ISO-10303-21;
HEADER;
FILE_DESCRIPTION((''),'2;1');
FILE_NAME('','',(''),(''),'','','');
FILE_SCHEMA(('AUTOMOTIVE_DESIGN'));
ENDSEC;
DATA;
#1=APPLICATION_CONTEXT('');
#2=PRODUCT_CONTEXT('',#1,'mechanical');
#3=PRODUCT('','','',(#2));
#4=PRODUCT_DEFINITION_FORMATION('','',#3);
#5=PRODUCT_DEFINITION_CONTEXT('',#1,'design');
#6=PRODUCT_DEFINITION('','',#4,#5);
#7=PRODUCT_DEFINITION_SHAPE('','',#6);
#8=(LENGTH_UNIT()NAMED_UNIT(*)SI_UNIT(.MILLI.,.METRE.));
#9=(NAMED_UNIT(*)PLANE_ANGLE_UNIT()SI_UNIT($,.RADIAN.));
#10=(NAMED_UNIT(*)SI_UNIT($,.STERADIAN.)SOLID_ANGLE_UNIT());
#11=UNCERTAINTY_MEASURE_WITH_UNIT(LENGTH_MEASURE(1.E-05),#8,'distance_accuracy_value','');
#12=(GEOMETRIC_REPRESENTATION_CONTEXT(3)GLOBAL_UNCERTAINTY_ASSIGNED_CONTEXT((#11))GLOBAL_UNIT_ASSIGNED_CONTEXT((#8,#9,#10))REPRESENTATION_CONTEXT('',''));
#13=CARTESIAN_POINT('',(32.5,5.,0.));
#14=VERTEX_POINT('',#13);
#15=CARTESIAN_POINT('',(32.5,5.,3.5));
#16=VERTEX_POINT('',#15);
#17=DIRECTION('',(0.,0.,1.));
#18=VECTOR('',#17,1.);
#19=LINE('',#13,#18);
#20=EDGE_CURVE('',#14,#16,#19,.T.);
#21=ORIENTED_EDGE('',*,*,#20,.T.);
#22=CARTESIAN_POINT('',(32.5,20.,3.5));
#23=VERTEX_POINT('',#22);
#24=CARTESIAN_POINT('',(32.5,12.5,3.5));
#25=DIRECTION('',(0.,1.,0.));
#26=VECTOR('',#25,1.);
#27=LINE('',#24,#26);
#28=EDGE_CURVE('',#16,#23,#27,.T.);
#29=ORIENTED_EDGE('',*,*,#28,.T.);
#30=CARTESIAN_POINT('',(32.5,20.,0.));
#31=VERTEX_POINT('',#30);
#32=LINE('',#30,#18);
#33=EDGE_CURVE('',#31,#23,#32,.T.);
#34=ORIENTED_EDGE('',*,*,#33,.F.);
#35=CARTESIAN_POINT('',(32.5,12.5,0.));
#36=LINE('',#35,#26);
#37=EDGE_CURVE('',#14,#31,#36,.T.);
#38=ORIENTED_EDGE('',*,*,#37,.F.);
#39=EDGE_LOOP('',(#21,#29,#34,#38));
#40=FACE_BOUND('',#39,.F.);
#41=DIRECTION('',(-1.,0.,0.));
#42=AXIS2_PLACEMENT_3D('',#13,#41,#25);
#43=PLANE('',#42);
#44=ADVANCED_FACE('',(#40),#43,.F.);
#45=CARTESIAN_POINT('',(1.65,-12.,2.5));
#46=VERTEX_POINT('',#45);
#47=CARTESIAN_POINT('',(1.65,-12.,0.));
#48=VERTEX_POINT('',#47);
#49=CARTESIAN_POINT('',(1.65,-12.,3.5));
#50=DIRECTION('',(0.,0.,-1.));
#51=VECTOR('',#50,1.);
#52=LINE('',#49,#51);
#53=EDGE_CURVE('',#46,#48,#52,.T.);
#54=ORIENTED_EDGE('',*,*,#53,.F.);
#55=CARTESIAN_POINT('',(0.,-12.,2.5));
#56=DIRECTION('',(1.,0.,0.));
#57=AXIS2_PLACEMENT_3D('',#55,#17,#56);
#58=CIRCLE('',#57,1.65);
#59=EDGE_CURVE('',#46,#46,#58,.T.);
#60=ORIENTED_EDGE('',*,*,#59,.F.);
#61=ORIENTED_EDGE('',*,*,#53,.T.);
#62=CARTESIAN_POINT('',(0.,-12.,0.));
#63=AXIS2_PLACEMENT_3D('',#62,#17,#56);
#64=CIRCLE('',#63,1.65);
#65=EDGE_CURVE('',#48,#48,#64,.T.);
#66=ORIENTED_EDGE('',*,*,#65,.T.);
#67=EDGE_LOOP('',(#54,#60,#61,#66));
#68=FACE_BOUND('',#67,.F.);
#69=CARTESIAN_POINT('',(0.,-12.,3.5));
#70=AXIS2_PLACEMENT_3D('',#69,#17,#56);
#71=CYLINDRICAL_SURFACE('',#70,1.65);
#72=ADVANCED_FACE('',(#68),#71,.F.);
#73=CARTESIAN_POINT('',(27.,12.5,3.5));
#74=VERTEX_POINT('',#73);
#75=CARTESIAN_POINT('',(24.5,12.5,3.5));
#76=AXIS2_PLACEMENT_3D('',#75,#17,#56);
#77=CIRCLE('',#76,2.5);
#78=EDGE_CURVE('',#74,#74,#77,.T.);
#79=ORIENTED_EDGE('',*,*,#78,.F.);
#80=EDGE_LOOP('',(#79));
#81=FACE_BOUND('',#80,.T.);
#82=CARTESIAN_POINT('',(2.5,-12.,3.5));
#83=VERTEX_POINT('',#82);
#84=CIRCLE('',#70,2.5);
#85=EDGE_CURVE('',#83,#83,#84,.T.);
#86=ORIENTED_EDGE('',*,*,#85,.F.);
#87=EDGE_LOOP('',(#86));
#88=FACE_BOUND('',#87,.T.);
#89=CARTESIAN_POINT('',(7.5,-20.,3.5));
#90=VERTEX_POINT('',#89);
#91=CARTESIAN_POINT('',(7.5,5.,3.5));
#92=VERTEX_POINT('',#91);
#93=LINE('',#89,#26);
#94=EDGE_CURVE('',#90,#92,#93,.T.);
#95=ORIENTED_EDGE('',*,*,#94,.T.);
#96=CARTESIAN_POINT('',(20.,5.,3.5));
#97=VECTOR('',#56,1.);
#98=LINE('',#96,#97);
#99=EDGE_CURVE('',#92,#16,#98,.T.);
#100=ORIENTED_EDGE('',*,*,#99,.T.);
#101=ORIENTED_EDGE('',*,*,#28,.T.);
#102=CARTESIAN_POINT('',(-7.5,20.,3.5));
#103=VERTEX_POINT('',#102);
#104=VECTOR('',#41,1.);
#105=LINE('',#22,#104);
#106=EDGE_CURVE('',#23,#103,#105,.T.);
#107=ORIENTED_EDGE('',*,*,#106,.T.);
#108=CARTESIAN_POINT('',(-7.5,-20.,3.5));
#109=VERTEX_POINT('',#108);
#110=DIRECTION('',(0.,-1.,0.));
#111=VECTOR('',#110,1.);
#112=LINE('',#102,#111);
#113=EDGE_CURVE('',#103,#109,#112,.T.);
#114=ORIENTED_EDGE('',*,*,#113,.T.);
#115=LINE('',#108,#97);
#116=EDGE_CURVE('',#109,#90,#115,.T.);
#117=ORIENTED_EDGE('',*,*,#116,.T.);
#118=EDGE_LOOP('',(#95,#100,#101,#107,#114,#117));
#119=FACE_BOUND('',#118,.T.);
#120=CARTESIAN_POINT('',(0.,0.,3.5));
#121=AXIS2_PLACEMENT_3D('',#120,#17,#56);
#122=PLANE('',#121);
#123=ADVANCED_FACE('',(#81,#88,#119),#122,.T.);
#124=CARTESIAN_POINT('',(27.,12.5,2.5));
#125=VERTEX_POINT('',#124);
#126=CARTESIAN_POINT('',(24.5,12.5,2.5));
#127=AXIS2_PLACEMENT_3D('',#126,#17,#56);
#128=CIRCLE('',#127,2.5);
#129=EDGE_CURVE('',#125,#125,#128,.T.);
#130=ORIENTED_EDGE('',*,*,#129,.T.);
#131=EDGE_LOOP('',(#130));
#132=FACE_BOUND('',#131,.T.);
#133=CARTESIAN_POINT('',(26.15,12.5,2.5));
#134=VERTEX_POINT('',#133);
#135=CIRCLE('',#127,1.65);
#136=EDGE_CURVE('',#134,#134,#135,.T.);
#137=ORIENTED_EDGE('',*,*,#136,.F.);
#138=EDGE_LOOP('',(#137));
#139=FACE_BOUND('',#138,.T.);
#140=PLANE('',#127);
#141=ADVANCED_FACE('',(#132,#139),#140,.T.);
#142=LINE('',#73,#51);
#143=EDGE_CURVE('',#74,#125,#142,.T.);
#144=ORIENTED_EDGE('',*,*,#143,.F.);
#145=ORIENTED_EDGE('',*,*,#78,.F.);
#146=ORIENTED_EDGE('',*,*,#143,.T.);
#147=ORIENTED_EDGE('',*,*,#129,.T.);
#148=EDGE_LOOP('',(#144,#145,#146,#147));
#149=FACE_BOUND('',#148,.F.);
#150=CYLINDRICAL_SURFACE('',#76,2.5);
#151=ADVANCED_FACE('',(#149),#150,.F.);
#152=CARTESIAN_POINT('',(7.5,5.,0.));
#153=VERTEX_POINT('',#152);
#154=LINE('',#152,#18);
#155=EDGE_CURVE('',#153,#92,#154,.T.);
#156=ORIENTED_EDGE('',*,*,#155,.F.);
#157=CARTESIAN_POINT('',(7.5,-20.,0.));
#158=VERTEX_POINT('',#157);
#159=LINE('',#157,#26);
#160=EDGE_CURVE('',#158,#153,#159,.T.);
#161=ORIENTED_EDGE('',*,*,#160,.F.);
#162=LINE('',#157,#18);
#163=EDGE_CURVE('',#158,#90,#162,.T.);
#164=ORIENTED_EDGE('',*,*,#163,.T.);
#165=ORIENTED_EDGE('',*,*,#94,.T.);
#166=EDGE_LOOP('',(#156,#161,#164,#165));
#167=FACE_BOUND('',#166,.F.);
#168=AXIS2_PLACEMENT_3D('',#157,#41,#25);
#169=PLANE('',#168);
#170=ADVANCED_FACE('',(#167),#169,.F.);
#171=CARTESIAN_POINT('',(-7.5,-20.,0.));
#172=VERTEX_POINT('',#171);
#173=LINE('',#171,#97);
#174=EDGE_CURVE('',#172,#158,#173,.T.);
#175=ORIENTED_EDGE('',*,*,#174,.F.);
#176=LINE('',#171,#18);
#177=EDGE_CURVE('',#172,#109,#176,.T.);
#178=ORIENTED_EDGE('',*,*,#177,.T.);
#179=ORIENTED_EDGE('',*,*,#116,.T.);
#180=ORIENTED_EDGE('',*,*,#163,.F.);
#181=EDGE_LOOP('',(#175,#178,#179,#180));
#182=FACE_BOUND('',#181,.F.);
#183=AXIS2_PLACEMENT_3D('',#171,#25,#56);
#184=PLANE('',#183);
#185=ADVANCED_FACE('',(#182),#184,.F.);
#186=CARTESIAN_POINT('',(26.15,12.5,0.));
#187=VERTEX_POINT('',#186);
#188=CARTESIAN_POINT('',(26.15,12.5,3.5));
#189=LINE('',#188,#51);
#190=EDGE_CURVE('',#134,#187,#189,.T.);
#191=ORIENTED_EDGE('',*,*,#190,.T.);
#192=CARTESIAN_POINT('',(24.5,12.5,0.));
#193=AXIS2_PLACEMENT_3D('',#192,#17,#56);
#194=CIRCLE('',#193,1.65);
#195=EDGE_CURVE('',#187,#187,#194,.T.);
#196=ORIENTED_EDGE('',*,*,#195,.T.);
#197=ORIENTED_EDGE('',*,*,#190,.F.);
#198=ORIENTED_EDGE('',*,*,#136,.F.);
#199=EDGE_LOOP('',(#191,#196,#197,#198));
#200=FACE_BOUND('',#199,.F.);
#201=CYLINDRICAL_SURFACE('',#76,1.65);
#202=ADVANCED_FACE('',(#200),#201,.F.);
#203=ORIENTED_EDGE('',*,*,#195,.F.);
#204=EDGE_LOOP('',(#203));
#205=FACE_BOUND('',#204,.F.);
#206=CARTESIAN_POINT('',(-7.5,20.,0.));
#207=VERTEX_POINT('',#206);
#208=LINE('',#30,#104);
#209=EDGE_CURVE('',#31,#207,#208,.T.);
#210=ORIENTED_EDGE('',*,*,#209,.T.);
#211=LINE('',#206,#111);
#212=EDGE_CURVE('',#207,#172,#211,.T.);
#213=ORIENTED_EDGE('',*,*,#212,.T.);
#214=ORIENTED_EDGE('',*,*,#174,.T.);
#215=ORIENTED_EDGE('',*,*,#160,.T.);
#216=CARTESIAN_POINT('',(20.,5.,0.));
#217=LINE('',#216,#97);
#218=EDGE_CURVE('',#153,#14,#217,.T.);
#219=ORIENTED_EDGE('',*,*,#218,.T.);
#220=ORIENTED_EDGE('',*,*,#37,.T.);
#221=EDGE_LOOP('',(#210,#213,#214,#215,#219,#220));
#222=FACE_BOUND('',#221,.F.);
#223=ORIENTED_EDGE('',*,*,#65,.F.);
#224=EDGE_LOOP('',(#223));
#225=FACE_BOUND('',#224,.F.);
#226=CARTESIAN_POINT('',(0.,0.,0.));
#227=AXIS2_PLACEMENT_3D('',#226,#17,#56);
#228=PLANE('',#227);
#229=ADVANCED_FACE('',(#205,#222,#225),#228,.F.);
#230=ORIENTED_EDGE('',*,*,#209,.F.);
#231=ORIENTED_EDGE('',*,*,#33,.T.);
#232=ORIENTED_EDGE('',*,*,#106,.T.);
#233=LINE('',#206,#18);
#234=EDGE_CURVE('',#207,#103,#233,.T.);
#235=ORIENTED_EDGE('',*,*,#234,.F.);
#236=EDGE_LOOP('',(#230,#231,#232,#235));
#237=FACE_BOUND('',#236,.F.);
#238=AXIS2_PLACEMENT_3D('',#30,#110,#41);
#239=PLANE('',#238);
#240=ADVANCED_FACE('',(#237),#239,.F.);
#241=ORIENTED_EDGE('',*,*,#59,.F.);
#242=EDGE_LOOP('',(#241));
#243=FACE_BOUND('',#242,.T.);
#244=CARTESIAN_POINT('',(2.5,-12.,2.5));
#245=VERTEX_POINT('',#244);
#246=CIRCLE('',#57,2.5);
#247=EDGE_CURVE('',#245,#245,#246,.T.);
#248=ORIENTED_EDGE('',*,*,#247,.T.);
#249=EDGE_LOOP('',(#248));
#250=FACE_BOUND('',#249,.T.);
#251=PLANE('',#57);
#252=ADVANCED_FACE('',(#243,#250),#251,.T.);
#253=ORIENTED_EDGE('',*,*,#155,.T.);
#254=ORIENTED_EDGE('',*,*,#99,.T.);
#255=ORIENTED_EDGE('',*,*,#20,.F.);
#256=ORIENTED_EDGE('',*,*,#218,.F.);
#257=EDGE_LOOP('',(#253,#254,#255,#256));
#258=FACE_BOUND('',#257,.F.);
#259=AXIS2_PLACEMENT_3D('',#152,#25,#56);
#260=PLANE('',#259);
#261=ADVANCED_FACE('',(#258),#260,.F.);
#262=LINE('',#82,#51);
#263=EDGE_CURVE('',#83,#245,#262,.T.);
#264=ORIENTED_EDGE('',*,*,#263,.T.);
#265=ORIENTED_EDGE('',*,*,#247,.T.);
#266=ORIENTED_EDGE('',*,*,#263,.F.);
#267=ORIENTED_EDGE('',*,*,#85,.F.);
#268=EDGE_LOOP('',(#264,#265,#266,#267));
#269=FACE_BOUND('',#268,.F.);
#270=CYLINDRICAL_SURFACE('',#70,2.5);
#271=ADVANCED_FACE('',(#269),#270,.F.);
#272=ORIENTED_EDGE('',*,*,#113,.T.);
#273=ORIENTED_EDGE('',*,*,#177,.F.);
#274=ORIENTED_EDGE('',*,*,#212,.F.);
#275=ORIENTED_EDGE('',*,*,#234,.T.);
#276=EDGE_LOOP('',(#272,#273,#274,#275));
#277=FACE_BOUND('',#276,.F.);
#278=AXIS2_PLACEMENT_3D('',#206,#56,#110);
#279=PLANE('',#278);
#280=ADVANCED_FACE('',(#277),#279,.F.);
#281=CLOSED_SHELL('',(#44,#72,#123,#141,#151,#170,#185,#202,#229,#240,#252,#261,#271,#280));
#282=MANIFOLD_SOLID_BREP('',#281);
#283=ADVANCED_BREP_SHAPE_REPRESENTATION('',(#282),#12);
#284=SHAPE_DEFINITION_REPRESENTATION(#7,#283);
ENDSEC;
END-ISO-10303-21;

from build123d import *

# Parameters (mm, degrees)
F0_W     = 25
F0_H     = 15
F1_DEPTH = 3.5
F2_R     = 1.65
F3_DEPTH = 3.5
F2_R_2   = 2.5
F4_DEPTH = 1


with BuildPart() as f1:
    # F0 (on Top) → F1 (new body)
    with BuildSketch(Plane.XY):
        Polygon((7.5, 20), (-7.5, 20), (-7.5, -20), (7.5, -20), (7.5, 5), align=None)
        with Locations((20, 12.5)):
            Rectangle(F0_W, F0_H)
    extrude(amount=F1_DEPTH)

    # F2 (on face) → F3 (cut, through all)
    with BuildSketch(Plane.XY.offset(3.5)):
        with Locations((0, -12)):
            Circle(F2_R)
        with Locations((24.5, 12.5)):
            Circle(F2_R)
    extrude(amount=-F3_DEPTH, mode=Mode.SUBTRACT)

    # F2 (on face) → F4 (cut)
    with BuildSketch(Plane.XY.offset(3.5)):
        with Locations((0, -12)):
            Circle(F2_R_2)
        with Locations((0, -12)):
            Circle(F2_R, mode=Mode.SUBTRACT)
        with Locations((24.5, 12.5)):
            Circle(F2_R_2)
        with Locations((24.5, 12.5)):
            Circle(F2_R, mode=Mode.SUBTRACT)
    extrude(amount=-F4_DEPTH, mode=Mode.SUBTRACT)


solid = f1.part
